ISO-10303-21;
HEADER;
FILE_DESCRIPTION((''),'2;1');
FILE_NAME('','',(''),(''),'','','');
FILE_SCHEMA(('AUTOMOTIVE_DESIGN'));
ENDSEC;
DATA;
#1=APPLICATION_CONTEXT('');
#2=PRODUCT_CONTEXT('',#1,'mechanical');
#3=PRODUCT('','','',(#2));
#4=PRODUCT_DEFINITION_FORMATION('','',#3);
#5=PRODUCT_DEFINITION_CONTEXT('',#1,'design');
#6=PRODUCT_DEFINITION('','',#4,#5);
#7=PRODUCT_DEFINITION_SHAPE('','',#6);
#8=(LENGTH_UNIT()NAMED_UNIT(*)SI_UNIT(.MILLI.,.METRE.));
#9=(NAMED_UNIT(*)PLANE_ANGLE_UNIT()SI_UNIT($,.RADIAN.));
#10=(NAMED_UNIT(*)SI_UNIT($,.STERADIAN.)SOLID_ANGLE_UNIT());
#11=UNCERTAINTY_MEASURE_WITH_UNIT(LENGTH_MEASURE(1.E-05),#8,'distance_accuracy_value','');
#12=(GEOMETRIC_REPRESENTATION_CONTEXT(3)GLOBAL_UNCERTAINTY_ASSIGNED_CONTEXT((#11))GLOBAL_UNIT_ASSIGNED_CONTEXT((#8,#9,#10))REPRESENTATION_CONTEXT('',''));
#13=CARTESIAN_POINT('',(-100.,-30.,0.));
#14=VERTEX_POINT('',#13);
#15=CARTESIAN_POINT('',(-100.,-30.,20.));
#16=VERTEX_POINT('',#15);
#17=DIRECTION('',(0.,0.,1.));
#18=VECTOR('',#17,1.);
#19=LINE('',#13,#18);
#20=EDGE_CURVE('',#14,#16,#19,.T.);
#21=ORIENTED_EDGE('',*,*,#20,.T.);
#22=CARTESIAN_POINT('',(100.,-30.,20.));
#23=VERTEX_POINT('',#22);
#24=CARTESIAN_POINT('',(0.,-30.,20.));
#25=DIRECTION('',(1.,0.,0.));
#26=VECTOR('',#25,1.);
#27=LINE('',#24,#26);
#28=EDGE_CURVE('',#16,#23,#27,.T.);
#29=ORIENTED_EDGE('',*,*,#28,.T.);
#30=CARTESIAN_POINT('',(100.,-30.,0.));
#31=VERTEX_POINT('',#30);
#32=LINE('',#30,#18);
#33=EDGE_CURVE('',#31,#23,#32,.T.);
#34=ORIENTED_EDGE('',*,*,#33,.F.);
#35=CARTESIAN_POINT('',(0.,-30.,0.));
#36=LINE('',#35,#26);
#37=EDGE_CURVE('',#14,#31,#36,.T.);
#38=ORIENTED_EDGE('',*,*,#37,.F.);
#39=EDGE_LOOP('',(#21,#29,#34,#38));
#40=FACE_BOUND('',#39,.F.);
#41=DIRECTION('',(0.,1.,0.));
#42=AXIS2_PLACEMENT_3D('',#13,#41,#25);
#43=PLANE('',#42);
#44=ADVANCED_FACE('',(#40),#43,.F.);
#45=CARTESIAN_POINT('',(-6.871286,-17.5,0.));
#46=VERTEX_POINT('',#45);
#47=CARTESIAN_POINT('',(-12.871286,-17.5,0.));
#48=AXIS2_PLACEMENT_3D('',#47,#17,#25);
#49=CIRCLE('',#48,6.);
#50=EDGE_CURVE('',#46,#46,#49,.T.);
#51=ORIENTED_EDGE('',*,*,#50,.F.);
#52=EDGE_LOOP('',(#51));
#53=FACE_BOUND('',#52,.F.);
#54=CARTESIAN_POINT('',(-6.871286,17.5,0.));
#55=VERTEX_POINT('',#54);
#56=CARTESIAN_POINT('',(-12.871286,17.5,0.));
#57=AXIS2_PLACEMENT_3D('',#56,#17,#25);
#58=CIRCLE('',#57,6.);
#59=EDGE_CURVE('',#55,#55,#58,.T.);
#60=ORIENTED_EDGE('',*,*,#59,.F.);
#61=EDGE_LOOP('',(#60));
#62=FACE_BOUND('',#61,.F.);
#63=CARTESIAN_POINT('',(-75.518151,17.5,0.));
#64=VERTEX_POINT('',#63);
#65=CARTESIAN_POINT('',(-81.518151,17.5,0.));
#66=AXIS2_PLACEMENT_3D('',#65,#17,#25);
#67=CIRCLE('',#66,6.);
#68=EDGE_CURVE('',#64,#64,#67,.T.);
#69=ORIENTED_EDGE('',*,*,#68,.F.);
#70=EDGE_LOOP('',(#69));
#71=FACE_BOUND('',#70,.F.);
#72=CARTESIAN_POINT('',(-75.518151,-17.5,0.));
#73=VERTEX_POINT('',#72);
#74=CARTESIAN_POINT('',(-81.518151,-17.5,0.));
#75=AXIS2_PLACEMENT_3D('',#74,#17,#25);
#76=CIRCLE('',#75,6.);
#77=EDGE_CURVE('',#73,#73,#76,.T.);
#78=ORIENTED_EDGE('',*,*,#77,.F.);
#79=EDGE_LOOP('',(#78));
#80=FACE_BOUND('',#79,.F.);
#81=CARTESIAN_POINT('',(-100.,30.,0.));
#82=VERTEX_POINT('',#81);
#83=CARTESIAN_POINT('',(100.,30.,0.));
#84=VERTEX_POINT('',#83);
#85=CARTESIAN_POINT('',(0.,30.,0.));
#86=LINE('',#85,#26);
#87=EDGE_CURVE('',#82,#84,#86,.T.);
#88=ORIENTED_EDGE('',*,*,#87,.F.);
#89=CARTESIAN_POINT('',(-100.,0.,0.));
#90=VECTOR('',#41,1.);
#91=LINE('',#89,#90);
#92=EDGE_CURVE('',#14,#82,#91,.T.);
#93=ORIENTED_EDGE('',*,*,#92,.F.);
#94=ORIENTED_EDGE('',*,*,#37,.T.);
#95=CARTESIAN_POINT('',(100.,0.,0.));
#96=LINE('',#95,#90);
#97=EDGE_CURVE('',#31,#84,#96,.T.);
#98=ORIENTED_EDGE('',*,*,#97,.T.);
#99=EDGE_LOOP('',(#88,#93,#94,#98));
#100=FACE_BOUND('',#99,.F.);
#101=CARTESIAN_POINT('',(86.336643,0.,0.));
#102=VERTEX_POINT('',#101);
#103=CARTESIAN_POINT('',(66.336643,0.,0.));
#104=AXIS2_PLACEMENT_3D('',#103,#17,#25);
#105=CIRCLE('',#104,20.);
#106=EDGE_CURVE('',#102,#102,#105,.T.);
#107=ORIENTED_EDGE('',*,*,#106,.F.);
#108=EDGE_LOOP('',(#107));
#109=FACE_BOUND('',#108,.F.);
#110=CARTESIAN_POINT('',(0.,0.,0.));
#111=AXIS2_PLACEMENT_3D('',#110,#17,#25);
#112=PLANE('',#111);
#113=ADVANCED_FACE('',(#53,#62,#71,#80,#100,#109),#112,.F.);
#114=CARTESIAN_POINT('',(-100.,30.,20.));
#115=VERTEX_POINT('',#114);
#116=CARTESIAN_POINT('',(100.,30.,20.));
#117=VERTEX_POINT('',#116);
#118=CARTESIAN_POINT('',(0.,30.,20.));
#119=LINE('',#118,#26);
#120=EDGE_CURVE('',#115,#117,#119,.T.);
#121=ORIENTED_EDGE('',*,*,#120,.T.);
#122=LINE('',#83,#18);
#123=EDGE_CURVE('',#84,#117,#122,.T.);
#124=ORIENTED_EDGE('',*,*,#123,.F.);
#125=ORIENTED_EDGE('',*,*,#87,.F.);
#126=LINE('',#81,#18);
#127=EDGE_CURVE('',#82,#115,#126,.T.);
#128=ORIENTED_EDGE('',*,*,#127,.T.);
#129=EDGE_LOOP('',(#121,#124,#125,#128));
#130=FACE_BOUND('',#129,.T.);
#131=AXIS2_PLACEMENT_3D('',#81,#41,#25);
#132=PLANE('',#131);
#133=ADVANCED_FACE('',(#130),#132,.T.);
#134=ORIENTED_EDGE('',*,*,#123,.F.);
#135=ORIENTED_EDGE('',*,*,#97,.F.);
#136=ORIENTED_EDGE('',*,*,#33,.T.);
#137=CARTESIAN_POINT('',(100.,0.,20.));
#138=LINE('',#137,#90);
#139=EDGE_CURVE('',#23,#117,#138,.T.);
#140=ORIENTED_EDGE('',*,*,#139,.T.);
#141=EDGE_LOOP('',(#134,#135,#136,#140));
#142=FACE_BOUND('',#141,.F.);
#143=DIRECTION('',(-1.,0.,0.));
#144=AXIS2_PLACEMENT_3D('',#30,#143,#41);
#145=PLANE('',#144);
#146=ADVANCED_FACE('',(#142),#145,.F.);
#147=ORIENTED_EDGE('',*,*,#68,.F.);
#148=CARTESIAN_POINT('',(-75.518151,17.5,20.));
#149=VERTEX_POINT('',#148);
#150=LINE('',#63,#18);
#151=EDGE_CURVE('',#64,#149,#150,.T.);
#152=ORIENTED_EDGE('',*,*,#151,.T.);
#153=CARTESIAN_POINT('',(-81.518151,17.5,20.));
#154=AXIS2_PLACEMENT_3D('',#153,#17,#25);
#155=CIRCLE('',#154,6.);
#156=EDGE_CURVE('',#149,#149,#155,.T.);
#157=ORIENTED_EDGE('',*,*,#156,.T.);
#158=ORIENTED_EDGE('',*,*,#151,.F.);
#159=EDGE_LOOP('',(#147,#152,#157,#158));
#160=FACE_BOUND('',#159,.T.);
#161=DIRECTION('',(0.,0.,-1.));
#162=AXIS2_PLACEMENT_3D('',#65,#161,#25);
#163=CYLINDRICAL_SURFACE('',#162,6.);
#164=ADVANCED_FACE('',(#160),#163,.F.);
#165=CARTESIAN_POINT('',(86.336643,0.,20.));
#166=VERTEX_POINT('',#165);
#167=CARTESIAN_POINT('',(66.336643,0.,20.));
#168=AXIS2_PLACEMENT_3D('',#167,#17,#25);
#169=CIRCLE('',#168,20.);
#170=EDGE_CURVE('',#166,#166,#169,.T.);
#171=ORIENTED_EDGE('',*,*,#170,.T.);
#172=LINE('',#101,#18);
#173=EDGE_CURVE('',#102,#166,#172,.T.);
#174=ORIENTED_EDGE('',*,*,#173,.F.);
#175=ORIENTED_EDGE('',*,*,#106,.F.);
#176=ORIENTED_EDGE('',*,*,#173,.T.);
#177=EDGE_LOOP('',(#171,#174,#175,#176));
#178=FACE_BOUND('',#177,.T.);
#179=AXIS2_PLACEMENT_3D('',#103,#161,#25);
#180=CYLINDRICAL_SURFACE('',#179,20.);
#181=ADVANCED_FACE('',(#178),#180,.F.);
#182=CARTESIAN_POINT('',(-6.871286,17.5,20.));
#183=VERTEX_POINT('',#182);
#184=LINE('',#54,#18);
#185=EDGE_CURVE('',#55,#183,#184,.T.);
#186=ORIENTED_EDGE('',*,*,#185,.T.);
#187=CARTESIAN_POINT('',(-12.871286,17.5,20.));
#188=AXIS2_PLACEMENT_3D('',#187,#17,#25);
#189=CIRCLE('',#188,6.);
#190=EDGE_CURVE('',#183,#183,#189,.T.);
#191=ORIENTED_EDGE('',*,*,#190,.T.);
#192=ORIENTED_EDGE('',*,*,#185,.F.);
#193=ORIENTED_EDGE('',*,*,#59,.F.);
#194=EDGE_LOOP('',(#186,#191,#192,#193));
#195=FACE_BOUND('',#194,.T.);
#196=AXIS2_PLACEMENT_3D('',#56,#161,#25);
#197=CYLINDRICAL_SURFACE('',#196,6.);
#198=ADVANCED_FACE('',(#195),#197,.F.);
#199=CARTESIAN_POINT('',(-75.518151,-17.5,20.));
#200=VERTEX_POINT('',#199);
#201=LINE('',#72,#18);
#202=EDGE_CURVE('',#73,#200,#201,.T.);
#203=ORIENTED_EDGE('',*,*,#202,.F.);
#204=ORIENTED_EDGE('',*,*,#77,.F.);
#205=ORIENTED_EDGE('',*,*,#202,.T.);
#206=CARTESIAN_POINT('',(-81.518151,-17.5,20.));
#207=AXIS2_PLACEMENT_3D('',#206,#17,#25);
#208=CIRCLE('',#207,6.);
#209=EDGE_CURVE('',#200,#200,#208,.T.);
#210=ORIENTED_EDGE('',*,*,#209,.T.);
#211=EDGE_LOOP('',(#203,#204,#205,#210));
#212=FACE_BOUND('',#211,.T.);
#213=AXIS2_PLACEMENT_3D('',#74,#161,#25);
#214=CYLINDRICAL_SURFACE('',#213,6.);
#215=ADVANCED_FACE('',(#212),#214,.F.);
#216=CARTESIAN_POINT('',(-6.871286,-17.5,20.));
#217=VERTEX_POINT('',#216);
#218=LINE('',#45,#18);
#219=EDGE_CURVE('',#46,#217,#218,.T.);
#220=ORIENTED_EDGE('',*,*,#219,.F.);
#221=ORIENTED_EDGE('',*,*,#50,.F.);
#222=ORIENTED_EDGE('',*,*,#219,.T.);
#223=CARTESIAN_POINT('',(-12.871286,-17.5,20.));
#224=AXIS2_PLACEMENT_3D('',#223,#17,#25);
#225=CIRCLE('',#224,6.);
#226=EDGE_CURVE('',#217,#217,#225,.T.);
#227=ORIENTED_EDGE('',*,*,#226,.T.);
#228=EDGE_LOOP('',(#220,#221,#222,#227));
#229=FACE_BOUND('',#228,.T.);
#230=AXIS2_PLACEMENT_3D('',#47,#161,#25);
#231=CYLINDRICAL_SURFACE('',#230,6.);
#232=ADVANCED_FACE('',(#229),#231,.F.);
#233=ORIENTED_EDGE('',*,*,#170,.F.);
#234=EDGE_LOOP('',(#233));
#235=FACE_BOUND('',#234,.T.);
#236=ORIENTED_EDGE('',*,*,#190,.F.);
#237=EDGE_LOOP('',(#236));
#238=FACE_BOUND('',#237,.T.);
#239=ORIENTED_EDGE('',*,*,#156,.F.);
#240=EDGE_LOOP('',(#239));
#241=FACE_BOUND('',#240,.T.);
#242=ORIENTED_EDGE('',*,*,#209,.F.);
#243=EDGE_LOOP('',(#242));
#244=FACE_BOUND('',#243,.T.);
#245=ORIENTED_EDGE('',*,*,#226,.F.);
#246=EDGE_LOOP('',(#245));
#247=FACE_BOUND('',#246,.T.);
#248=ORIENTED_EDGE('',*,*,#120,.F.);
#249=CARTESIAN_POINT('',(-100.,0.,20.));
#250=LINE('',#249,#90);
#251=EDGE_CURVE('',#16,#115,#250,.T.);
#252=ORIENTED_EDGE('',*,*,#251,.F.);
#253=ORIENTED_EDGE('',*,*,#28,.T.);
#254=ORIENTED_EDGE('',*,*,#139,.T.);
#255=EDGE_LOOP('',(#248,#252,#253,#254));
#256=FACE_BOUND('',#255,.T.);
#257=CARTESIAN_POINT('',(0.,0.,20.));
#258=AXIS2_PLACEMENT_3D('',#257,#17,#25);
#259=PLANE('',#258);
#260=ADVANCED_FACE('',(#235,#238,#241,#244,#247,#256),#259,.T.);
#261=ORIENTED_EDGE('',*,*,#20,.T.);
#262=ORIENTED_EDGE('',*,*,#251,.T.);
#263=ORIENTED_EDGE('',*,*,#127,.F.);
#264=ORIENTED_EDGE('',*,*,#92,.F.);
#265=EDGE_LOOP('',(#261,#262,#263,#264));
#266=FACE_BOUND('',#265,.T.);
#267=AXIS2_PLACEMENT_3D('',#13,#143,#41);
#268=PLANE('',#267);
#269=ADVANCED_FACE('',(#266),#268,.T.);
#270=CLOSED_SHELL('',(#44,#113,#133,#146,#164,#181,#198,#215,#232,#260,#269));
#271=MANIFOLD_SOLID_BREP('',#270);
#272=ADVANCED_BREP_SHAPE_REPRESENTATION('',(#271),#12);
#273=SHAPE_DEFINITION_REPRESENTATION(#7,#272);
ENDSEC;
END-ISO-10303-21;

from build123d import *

# Parameters (mm, degrees)
F0_W     = 200
F0_H     = 60
F0_R     = 6
F0_R_2   = 20
F1_DEPTH = 20


with BuildPart() as f1:
    # F0 (on Top) → F1 (new body)
    with BuildSketch(Plane.XY):
        Rectangle(F0_W, F0_H)
        with Locations((-81.518151, -17.5)):
            Circle(F0_R, mode=Mode.SUBTRACT)
        with Locations((-12.871286, -17.5)):
            Circle(F0_R, mode=Mode.SUBTRACT)
        with Locations((-81.518151, 17.5)):
            Circle(F0_R, mode=Mode.SUBTRACT)
        with Locations((-12.871286, 17.5)):
            Circle(F0_R, mode=Mode.SUBTRACT)
        with Locations((66.336643, 0)):
            Circle(F0_R_2, mode=Mode.SUBTRACT)
    extrude(amount=F1_DEPTH)


solid = f1.part
